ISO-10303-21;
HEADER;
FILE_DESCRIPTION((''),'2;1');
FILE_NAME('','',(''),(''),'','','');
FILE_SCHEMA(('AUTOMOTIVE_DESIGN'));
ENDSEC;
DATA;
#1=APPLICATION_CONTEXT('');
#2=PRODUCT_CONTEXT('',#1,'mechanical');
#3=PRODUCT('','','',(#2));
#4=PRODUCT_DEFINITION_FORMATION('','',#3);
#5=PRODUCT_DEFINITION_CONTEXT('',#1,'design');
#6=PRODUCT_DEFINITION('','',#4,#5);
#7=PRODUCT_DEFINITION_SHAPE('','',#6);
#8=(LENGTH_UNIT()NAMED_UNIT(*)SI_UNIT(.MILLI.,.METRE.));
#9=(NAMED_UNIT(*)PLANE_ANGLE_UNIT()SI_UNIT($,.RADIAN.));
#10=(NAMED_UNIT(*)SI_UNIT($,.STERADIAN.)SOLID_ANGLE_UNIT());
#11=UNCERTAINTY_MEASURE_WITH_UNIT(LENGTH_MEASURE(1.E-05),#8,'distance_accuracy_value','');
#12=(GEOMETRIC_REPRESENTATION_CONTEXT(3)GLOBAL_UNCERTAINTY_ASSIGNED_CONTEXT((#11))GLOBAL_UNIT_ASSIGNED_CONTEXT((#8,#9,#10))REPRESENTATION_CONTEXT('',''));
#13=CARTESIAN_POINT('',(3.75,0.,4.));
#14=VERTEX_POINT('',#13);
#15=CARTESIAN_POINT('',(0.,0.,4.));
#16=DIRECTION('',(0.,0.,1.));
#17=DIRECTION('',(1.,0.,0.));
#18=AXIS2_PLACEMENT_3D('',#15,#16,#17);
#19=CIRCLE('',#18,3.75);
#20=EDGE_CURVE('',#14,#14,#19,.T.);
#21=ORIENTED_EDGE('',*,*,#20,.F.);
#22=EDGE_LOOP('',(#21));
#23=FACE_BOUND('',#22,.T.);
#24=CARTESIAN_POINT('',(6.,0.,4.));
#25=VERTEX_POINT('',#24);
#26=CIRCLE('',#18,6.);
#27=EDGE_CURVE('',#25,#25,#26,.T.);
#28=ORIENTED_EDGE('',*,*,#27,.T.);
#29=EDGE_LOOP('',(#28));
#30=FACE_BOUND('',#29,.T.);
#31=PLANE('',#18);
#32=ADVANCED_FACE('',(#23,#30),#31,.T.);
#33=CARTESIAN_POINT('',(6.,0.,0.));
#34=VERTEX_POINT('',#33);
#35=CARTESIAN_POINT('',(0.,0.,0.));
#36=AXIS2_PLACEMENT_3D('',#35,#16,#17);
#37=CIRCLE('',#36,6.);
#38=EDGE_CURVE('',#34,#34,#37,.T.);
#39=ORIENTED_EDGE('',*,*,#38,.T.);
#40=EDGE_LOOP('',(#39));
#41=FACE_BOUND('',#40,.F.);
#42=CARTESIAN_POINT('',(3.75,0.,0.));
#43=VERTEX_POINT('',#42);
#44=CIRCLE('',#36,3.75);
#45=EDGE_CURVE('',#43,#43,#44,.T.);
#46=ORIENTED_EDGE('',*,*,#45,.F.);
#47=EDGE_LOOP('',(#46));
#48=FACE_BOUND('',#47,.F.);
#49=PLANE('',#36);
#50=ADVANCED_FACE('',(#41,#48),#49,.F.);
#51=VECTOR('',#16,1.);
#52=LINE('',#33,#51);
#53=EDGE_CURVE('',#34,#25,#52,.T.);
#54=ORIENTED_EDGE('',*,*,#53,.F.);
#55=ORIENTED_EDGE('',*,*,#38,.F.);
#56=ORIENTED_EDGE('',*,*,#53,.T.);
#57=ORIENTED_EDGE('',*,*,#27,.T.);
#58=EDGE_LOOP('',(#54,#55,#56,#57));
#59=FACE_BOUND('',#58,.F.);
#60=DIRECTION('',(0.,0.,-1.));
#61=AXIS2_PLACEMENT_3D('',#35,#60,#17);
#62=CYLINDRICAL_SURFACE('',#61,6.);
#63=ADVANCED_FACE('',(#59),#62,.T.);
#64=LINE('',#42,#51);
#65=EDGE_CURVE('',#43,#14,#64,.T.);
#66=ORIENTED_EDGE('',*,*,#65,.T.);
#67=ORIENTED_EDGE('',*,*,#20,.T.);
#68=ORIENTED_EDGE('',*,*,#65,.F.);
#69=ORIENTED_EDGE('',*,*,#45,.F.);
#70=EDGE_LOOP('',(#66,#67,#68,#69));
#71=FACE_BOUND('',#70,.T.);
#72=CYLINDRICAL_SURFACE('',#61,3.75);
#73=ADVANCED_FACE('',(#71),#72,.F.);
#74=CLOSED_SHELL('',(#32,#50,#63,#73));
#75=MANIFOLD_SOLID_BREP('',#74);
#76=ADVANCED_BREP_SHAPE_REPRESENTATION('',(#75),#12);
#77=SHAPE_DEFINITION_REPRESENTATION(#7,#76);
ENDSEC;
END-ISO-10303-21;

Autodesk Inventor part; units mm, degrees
ref_plane "YZ Plane" through (0, 0, 0) normal (1, 0, 0) x (0, 1, 0)
ref_plane "XZ Plane" through (0, 0, 0) normal (0, 1, 0) x (-1, 0, 0)
ref_plane "XY Plane" through (0, 0, 0) normal (0, 0, 1) x (1, 0, 0)
sketch "Эскиз1" plane through (0, 0, 0) normal (0, 0, 1) x (1, 0, 0)
  circle A0 centre (0, 0) radius 3.75
  circle A1 centre (0, 0) radius 6
  dimension "d0" = 7.5
  dimension "d1" = 12
extrude "Выдавливание1" add sketch "Эскиз1" along normal blind 4
properties part number "pwr_btn_ring"
